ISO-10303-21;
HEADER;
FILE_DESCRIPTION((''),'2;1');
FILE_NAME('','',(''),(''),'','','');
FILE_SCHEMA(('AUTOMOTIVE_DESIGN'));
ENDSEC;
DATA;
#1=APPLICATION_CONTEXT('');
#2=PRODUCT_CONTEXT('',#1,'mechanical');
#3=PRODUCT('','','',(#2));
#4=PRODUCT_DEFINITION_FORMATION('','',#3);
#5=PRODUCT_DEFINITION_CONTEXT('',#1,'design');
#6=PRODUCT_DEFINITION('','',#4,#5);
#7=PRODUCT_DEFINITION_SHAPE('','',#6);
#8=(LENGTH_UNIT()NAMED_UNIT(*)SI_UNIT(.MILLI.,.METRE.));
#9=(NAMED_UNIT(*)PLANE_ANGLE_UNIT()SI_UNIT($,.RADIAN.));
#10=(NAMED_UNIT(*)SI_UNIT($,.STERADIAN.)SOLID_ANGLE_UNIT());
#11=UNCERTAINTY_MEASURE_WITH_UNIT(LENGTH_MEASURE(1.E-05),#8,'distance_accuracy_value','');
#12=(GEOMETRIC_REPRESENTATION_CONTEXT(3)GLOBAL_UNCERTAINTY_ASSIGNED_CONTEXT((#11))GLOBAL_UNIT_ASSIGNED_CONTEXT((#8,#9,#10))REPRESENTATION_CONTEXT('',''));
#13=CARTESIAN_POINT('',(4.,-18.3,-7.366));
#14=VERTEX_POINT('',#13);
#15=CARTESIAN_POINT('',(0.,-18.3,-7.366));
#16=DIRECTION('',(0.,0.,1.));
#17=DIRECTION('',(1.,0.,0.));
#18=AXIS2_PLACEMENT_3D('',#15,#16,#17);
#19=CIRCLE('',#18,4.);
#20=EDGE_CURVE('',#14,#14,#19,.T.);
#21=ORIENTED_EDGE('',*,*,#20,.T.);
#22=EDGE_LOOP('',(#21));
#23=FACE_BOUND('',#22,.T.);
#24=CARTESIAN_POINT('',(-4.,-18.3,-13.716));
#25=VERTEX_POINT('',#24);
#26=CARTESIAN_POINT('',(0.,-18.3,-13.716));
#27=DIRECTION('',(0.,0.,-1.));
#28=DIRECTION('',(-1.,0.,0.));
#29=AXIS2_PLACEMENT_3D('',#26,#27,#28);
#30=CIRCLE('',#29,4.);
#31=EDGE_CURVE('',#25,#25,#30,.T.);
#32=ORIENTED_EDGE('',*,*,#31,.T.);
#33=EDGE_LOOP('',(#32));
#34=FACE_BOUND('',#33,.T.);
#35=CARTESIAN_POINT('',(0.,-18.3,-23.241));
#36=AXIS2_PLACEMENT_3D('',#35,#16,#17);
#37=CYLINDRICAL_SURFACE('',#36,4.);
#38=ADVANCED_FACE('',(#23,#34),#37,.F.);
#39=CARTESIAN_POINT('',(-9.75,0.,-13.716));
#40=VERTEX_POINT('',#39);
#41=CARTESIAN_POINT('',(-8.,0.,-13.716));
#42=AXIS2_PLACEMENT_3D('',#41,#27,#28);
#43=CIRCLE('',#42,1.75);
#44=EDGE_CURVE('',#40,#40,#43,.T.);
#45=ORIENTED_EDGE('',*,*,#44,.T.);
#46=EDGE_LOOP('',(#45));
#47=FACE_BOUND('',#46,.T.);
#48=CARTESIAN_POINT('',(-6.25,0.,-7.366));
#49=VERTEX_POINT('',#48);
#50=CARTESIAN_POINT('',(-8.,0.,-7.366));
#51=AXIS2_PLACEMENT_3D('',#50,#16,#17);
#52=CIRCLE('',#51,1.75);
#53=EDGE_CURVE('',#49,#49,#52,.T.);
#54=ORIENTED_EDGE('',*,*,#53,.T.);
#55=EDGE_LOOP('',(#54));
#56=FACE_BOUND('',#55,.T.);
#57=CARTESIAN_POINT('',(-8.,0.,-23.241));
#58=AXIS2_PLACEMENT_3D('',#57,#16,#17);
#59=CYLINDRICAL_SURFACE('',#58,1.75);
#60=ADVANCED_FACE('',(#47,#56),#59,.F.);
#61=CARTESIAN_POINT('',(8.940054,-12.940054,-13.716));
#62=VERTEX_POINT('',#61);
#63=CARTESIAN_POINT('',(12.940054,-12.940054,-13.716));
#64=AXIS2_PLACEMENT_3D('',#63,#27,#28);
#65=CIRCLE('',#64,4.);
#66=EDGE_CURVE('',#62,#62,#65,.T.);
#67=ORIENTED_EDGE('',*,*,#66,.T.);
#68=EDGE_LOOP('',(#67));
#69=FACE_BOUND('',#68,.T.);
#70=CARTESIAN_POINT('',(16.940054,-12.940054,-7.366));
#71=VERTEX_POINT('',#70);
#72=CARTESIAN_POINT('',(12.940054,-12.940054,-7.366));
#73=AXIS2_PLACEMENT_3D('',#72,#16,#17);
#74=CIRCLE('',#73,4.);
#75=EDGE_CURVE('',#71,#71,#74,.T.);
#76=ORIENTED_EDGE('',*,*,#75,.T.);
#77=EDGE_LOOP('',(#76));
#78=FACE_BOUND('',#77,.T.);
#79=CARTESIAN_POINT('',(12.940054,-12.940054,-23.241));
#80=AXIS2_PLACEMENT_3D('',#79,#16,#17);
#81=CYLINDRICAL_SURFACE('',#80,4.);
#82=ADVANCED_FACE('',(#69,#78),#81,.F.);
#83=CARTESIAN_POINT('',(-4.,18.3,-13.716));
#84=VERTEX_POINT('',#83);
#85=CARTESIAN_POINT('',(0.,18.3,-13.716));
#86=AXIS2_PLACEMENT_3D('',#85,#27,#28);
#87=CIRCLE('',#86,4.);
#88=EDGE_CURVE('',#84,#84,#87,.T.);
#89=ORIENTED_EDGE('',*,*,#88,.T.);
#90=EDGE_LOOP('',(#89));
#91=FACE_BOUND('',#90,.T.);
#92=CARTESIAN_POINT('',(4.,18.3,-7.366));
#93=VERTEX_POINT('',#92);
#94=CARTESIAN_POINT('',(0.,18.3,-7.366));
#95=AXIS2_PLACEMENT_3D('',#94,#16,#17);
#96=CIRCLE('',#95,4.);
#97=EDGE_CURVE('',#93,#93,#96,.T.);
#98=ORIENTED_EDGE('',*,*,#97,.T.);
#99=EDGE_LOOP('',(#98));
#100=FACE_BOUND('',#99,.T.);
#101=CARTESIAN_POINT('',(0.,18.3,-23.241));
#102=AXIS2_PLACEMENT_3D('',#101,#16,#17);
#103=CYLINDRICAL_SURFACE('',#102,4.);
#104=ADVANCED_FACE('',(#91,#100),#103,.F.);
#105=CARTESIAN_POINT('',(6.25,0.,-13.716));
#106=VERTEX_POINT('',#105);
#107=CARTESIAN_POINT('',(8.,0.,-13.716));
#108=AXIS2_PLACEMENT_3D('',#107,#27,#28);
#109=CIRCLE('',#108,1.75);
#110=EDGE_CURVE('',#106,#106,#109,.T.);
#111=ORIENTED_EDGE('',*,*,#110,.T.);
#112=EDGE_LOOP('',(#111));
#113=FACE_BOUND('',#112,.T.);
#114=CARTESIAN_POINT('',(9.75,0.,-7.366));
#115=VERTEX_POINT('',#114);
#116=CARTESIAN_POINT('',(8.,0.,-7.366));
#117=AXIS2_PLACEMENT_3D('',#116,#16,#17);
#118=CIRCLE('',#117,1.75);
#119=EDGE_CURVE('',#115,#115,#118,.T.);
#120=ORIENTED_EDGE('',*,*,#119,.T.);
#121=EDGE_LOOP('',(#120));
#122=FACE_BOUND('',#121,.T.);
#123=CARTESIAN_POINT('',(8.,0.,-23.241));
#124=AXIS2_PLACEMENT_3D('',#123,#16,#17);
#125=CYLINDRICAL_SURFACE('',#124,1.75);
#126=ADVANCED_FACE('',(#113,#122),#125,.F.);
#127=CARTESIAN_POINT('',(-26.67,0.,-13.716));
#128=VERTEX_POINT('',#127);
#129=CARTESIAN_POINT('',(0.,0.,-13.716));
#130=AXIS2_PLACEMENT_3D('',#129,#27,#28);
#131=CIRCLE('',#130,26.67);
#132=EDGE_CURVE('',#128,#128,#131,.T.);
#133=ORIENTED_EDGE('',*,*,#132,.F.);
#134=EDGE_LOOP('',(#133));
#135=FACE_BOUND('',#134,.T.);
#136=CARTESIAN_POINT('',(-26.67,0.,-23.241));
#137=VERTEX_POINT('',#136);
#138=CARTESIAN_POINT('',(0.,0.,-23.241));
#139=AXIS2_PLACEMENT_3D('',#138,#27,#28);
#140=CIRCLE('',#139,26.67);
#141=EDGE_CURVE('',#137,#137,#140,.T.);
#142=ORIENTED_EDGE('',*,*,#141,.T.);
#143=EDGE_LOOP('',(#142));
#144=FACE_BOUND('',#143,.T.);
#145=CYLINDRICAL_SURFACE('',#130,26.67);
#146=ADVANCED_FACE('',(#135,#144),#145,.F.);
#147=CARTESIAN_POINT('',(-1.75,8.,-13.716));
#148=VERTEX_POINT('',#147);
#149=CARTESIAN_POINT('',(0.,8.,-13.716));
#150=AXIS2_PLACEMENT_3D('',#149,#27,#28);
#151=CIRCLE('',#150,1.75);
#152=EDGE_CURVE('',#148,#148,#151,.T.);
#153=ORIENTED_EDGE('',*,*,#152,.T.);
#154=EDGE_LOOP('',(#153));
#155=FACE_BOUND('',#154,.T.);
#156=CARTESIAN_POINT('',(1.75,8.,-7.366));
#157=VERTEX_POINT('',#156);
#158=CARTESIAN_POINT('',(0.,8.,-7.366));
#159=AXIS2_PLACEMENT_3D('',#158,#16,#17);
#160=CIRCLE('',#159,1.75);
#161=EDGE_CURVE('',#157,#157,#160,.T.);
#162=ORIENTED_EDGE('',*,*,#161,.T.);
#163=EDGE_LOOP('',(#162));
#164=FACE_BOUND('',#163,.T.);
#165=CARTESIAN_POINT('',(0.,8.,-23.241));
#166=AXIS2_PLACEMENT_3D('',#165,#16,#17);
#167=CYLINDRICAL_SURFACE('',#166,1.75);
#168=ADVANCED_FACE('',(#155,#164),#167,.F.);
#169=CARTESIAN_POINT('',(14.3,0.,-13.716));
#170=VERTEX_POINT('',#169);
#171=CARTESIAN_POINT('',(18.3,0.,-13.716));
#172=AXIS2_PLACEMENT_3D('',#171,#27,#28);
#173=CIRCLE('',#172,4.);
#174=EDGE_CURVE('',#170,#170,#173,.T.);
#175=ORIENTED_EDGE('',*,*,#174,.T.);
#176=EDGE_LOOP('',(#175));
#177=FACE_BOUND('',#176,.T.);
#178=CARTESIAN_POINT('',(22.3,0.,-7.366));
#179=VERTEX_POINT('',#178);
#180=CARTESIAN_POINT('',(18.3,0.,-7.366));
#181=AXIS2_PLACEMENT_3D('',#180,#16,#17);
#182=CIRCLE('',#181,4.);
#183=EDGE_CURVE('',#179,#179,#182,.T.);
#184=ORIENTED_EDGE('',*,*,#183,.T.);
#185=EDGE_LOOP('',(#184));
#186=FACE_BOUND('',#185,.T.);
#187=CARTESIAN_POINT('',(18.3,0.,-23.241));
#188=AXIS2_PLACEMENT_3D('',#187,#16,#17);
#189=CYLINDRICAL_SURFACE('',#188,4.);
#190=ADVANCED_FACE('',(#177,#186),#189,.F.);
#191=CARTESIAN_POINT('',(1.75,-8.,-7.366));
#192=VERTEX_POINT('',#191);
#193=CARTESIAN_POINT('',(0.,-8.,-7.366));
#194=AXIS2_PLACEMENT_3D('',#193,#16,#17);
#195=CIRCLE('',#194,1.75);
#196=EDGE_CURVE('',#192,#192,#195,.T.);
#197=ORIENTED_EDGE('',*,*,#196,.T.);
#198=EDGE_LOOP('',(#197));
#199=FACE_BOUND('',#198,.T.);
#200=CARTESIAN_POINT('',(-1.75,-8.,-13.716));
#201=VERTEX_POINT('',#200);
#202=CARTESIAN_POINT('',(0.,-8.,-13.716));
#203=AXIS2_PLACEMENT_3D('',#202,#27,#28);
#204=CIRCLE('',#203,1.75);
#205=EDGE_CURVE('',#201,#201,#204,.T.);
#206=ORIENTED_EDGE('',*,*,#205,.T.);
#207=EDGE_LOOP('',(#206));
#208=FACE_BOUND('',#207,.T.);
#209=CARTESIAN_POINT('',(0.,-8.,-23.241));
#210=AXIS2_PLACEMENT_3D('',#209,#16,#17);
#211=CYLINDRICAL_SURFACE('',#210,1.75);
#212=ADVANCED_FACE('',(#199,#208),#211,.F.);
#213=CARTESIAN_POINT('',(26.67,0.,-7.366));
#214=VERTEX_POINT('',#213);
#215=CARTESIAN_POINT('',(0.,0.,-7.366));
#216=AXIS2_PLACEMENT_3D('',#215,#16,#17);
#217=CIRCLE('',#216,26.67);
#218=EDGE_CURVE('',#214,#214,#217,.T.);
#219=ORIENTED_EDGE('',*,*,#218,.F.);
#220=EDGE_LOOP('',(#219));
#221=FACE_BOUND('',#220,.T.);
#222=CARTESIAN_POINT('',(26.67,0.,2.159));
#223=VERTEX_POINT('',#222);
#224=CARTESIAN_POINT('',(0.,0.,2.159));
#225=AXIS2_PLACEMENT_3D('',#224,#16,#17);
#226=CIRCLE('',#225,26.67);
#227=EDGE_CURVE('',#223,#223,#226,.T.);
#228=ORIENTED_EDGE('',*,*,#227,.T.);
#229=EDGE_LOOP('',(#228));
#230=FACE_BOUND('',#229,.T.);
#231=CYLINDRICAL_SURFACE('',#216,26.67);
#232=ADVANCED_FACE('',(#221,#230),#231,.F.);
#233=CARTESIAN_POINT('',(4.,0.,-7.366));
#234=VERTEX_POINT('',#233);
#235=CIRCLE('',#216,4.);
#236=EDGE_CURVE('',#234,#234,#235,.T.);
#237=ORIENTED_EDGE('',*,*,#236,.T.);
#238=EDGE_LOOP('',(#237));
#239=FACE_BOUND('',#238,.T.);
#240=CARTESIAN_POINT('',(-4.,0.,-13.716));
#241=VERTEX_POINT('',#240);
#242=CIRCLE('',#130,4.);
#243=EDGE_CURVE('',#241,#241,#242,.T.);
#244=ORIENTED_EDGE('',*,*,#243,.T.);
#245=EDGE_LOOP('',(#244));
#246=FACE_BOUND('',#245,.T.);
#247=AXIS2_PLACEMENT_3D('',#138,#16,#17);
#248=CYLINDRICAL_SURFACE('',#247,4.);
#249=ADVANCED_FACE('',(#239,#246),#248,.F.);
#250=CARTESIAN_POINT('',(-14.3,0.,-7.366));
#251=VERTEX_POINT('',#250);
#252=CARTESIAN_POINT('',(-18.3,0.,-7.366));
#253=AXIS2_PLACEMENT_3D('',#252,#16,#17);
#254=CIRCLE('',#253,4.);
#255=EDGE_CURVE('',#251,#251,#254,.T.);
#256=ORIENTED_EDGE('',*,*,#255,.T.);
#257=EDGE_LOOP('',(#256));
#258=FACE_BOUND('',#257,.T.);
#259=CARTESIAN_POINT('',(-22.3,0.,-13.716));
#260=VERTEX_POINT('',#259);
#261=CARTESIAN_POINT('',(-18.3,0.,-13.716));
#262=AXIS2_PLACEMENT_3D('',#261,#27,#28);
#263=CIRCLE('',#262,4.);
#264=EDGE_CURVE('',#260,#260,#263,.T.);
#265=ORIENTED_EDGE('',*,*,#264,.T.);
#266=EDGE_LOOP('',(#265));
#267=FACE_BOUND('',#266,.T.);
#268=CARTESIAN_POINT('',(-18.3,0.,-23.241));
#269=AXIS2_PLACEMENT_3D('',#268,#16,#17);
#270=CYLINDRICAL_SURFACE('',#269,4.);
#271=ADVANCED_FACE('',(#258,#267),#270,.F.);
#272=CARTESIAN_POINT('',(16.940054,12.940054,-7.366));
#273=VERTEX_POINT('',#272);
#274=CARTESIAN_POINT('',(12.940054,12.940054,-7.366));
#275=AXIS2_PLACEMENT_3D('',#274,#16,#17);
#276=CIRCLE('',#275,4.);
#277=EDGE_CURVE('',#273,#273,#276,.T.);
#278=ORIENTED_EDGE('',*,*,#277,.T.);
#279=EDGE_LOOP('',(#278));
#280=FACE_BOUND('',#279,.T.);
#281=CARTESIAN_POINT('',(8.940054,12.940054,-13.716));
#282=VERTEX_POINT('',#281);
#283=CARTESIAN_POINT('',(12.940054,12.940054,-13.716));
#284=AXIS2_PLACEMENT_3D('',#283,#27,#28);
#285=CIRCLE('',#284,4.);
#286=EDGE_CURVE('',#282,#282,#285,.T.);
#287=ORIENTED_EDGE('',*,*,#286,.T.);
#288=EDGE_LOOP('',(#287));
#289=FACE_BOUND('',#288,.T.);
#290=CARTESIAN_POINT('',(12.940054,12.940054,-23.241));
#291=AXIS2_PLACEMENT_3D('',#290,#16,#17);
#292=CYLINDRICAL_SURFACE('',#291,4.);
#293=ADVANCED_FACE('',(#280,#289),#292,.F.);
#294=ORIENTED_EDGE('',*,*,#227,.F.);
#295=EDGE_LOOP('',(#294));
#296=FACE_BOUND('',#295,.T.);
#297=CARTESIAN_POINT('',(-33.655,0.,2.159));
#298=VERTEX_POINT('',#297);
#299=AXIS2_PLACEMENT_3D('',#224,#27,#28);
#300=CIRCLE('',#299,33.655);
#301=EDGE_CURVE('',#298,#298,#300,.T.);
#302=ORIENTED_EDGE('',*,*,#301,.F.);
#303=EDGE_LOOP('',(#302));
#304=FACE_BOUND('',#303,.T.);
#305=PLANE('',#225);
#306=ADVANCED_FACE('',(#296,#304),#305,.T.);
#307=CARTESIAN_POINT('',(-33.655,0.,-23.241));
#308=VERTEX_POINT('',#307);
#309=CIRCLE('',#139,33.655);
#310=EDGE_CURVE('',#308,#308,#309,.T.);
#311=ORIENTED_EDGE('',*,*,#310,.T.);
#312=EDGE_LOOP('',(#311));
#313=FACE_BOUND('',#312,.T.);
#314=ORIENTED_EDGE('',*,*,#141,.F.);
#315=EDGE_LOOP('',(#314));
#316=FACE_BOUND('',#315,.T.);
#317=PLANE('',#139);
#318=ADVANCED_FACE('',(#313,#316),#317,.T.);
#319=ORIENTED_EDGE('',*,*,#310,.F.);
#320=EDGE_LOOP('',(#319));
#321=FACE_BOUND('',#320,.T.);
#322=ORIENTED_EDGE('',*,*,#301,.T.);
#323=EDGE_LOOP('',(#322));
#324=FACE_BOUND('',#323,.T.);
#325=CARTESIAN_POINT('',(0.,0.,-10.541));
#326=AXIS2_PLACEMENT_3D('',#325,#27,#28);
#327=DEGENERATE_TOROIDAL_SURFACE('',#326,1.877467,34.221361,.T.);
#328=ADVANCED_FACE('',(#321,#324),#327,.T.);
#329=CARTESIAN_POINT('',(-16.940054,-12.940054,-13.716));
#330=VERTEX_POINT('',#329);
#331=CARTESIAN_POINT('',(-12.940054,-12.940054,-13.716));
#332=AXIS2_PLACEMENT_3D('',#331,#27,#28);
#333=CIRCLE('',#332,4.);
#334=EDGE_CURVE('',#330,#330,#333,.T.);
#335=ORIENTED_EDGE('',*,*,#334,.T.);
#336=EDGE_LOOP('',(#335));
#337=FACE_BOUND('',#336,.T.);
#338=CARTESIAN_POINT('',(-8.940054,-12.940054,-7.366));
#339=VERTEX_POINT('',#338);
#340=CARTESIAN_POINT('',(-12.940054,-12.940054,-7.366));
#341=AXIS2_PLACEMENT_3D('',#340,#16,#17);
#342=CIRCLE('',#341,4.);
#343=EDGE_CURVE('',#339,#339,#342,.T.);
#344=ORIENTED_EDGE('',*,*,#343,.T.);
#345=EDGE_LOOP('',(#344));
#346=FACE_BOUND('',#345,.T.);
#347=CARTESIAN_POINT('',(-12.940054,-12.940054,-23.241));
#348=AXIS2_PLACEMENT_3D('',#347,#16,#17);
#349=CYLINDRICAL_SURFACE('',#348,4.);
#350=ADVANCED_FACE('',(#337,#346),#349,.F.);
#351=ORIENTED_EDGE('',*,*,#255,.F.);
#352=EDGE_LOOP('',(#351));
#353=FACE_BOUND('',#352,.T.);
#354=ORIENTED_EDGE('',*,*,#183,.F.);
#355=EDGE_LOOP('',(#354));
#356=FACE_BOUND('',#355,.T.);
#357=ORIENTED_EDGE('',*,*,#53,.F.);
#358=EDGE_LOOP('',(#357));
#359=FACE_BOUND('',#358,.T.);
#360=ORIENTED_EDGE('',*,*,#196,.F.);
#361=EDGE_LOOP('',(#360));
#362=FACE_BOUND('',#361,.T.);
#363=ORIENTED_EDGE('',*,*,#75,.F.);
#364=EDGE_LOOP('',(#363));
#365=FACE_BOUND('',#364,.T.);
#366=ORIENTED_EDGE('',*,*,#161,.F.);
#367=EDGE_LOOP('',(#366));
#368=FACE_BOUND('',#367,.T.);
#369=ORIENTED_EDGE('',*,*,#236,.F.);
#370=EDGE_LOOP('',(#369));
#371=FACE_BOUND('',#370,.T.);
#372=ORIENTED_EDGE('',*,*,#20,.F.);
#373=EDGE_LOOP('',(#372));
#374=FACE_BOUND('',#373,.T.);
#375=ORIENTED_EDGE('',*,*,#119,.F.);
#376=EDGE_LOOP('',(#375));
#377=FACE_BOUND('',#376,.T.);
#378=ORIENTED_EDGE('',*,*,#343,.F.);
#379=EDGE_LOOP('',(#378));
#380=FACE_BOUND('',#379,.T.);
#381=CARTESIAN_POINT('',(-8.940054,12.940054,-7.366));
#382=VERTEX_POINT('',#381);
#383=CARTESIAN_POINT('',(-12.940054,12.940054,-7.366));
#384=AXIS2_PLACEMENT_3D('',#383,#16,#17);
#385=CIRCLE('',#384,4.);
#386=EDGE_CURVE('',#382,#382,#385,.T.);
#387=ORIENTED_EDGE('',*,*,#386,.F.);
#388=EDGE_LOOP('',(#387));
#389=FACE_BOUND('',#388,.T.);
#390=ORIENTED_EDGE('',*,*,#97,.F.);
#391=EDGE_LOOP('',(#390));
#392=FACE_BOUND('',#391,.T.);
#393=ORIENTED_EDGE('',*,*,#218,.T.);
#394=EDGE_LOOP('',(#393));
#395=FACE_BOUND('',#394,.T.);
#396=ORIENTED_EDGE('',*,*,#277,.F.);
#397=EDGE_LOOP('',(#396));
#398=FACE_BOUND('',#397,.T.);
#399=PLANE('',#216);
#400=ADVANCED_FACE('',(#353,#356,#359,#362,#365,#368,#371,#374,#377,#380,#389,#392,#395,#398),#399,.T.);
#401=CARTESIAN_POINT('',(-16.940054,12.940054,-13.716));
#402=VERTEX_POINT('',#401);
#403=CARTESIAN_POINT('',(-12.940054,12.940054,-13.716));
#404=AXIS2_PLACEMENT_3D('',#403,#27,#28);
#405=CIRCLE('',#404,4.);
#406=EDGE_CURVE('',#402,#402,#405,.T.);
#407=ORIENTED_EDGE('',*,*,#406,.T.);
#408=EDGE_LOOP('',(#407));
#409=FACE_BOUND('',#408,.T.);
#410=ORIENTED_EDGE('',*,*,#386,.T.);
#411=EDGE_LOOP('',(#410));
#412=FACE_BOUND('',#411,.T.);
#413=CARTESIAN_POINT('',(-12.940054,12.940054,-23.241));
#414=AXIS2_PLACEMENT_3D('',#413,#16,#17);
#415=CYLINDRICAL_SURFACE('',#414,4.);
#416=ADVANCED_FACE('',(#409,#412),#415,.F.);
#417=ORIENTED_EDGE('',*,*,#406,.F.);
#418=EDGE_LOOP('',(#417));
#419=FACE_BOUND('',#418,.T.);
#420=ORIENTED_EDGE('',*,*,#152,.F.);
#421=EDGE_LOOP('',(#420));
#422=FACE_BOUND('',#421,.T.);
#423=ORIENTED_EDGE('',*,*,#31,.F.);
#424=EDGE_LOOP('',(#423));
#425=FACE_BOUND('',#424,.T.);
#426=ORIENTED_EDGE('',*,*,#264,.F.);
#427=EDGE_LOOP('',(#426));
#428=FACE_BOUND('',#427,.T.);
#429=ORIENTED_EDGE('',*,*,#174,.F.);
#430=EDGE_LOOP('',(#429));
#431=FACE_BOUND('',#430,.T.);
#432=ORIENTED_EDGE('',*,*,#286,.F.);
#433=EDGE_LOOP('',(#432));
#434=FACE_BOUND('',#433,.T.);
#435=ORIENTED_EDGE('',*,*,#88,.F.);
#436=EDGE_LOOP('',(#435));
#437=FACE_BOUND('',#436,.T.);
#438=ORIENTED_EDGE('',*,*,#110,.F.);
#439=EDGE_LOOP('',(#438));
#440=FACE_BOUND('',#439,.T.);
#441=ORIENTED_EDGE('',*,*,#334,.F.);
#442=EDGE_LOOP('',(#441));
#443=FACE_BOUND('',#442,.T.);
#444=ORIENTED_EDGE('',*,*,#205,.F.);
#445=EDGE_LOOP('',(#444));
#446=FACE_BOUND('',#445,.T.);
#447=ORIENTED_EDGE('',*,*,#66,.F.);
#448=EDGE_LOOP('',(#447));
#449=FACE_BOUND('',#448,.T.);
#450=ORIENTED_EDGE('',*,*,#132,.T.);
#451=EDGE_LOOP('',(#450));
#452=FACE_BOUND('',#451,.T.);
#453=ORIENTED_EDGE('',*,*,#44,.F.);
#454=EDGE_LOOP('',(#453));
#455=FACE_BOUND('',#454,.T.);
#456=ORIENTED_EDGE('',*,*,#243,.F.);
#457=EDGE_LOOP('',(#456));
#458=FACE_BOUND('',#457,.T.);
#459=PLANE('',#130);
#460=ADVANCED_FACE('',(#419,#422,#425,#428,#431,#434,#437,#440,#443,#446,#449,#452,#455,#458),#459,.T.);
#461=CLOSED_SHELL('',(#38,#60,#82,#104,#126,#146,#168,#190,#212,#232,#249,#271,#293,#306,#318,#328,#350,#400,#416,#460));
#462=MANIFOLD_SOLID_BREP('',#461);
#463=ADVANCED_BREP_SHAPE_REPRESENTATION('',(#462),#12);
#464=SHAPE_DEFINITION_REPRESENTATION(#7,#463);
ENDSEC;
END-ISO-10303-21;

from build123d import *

# Parameters (mm, degrees)
SKETCH1_R          = 31.75
EXTRUDE1_DEPTH     = 21.082
SKETCH2_R          = 26.67
CUT_EXTRUDE1_DEPTH = 7.366
SKETCH3_R          = 26.67
CUT_EXTRUDE2_DEPTH = 7.366
SKETCH5_R          = 33.655
EXTRUDE3_DEPTH     = 2.159
CUT_EXTRUDE3_REACH = 54.967
SKETCH6_R          = 26.67
SKETCH7_R          = 33.655
EXTRUDE4_DEPTH     = 2.159
CUT_EXTRUDE4_REACH = 55.949
SKETCH8_R          = 26.67
SKETCH10_R         = 4
SKETCH10_R_2       = 1.75
CUT_EXTRUDE5_DEPTH = 54.462758337
SKETCH11_R         = 4
CUT_EXTRUDE6_DEPTH = 54.462758337
SKETCH12_R         = 4
CUT_EXTRUDE7_DEPTH = 54.462758337


with BuildPart() as part:
    # Sketch1 → Extrude1 (new body)
    with BuildSketch(Plane.XY):
        Circle(SKETCH1_R)
    extrude(amount=-EXTRUDE1_DEPTH)

    # Sketch2 → Cut-Extrude1 (cut)
    with BuildSketch(Plane.XY):
        Circle(SKETCH2_R)
    extrude(amount=-CUT_EXTRUDE1_DEPTH, mode=Mode.SUBTRACT)

    # Sketch3 → Cut-Extrude2 (cut)
    with BuildSketch(Plane(origin=(0, 0, -21.082), x_dir=(-1, 0, 0), z_dir=(0, 0, -1))):
        with Locations(Location((0, 0, 0), (0, 0, 180))):
            Circle(SKETCH3_R)
    extrude(amount=-CUT_EXTRUDE2_DEPTH, mode=Mode.SUBTRACT)

    # Sketch5 → Extrude3 (add)
    with BuildSketch(Plane.XY):
        Circle(SKETCH5_R)
    extrude(amount=EXTRUDE3_DEPTH)

    # Sketch6 → Cut-Extrude3 (cut, up to next)
    with BuildSketch(Plane.XY.offset(2.159), mode=Mode.PRIVATE) as cut_extrude3_sk1:
        with Locations(Location((0, 0, 0), (0, 0, 180))):
            Circle(SKETCH6_R)
    cut_extrude3_tool1 = extrude(cut_extrude3_sk1.sketch, amount=-CUT_EXTRUDE3_REACH, mode=Mode.PRIVATE) & part.part
    add(cut_extrude3_tool1.solids().sort_by_distance((0, 0, 2.159))[0], mode=Mode.SUBTRACT)

    # Sketch7 → Extrude4 (add)
    with BuildSketch(Plane(origin=(0, 0, -21.082), x_dir=(-1, 0, 0), z_dir=(0, 0, -1))):
        with Locations(Location((0, 0, 0), (0, 0, 180))):
            Circle(SKETCH7_R)
    extrude(amount=EXTRUDE4_DEPTH)

    # Sketch8 → Cut-Extrude4 (cut, up to next)
    with BuildSketch(Plane(origin=(0, 0, -23.241), x_dir=(-1, 0, 0), z_dir=(0, 0, -1)), mode=Mode.PRIVATE) as cut_extrude4_sk1:
        with Locations(Location((0, 0, 0), (0, 0, 180))):
            Circle(SKETCH8_R)
    cut_extrude4_tool1 = extrude(cut_extrude4_sk1.sketch, amount=-CUT_EXTRUDE4_REACH, mode=Mode.PRIVATE) & part.part
    add(cut_extrude4_tool1.solids().sort_by_distance((0, 0, -23.241))[0], mode=Mode.SUBTRACT)

    # Sweep2: sweep along a curve in space
    with BuildLine() as sweep2_path:
        ThreePointArc((33.655, 0, 2.159), (23.797678721, 23.797678721, 2.159), (0, 33.655, 2.159))
        ThreePointArc((0, 33.655, 2.159), (-23.797678721, 23.797678721, 2.159), (-33.655, 0, 2.159))
        ThreePointArc((-33.655, 0, 2.159), (-23.797678721, -23.797678721, 2.159), (0, -33.655, 2.159))
        ThreePointArc((0, -33.655, 2.159), (23.797678721, -23.797678721, 2.159), (33.655, 0, 2.159))
    # 3DSketch2 → Sweep2 (sweep)
    with BuildSketch(Plane(origin=(0, 33.655, 2.159), x_dir=(-8.931812198350224e-14, -0.9285876208505301, -0.37111323124236906), z_dir=(1, 0, 0))):
        with BuildLine():
            Line((0, 0), (0.801233466, 2.004820673))
            Line((0.801233466, 2.004820673), (2.570192884, 1.297849968))
            Line((2.570192884, 1.297849968), (10.394002025, 20.874334191))
            Line((10.394002025, 20.874334191), (8.625042607, 21.581304896))
            Line((8.625042607, 21.581304896), (9.426276074, 23.58612557))
            ThreePointArc((9.426276074, 23.58612557), (2.443828834, 12.7), (0, 0))
        make_face()
    sweep(path=sweep2_path.line)

    # Sketch10 → Cut-Extrude5 (cut, through all)
    with BuildSketch(Plane.XY.offset(-7.366)):
        Circle(SKETCH10_R)
        with Locations((0, 8)):
            Circle(SKETCH10_R_2)
        with Locations((8, 0)):
            Circle(SKETCH10_R_2)
        with Locations((0, -8)):
            Circle(SKETCH10_R_2)
        with Locations((-8, 0)):
            Circle(SKETCH10_R_2)
    extrude(amount=-CUT_EXTRUDE5_DEPTH, mode=Mode.SUBTRACT)

    # Sketch11 → Cut-Extrude6 (cut, through all)
    with BuildSketch(Plane.XY.offset(-7.366)):
        with Locations((0, 18.3)):
            Circle(SKETCH11_R)
        with Locations((18.3, 0)):
            Circle(SKETCH11_R)
        with Locations((0, -18.3)):
            Circle(SKETCH11_R)
        with Locations((-18.3, 0)):
            Circle(SKETCH11_R)
    extrude(amount=-CUT_EXTRUDE6_DEPTH, mode=Mode.SUBTRACT)

    # Sketch12 → Cut-Extrude7 (cut, through all)
    with BuildSketch(Plane.XY.offset(-7.366)):
        with Locations((12.940054096, 12.940054096)):
            Circle(SKETCH12_R)
        with Locations((12.940054096, -12.940054096)):
            Circle(SKETCH12_R)
        with Locations((-12.940054096, -12.940054096)):
            Circle(SKETCH12_R)
        with Locations((-12.940054096, 12.940054096)):
            Circle(SKETCH12_R)
    extrude(amount=-CUT_EXTRUDE7_DEPTH, mode=Mode.SUBTRACT)


solid = part.part
